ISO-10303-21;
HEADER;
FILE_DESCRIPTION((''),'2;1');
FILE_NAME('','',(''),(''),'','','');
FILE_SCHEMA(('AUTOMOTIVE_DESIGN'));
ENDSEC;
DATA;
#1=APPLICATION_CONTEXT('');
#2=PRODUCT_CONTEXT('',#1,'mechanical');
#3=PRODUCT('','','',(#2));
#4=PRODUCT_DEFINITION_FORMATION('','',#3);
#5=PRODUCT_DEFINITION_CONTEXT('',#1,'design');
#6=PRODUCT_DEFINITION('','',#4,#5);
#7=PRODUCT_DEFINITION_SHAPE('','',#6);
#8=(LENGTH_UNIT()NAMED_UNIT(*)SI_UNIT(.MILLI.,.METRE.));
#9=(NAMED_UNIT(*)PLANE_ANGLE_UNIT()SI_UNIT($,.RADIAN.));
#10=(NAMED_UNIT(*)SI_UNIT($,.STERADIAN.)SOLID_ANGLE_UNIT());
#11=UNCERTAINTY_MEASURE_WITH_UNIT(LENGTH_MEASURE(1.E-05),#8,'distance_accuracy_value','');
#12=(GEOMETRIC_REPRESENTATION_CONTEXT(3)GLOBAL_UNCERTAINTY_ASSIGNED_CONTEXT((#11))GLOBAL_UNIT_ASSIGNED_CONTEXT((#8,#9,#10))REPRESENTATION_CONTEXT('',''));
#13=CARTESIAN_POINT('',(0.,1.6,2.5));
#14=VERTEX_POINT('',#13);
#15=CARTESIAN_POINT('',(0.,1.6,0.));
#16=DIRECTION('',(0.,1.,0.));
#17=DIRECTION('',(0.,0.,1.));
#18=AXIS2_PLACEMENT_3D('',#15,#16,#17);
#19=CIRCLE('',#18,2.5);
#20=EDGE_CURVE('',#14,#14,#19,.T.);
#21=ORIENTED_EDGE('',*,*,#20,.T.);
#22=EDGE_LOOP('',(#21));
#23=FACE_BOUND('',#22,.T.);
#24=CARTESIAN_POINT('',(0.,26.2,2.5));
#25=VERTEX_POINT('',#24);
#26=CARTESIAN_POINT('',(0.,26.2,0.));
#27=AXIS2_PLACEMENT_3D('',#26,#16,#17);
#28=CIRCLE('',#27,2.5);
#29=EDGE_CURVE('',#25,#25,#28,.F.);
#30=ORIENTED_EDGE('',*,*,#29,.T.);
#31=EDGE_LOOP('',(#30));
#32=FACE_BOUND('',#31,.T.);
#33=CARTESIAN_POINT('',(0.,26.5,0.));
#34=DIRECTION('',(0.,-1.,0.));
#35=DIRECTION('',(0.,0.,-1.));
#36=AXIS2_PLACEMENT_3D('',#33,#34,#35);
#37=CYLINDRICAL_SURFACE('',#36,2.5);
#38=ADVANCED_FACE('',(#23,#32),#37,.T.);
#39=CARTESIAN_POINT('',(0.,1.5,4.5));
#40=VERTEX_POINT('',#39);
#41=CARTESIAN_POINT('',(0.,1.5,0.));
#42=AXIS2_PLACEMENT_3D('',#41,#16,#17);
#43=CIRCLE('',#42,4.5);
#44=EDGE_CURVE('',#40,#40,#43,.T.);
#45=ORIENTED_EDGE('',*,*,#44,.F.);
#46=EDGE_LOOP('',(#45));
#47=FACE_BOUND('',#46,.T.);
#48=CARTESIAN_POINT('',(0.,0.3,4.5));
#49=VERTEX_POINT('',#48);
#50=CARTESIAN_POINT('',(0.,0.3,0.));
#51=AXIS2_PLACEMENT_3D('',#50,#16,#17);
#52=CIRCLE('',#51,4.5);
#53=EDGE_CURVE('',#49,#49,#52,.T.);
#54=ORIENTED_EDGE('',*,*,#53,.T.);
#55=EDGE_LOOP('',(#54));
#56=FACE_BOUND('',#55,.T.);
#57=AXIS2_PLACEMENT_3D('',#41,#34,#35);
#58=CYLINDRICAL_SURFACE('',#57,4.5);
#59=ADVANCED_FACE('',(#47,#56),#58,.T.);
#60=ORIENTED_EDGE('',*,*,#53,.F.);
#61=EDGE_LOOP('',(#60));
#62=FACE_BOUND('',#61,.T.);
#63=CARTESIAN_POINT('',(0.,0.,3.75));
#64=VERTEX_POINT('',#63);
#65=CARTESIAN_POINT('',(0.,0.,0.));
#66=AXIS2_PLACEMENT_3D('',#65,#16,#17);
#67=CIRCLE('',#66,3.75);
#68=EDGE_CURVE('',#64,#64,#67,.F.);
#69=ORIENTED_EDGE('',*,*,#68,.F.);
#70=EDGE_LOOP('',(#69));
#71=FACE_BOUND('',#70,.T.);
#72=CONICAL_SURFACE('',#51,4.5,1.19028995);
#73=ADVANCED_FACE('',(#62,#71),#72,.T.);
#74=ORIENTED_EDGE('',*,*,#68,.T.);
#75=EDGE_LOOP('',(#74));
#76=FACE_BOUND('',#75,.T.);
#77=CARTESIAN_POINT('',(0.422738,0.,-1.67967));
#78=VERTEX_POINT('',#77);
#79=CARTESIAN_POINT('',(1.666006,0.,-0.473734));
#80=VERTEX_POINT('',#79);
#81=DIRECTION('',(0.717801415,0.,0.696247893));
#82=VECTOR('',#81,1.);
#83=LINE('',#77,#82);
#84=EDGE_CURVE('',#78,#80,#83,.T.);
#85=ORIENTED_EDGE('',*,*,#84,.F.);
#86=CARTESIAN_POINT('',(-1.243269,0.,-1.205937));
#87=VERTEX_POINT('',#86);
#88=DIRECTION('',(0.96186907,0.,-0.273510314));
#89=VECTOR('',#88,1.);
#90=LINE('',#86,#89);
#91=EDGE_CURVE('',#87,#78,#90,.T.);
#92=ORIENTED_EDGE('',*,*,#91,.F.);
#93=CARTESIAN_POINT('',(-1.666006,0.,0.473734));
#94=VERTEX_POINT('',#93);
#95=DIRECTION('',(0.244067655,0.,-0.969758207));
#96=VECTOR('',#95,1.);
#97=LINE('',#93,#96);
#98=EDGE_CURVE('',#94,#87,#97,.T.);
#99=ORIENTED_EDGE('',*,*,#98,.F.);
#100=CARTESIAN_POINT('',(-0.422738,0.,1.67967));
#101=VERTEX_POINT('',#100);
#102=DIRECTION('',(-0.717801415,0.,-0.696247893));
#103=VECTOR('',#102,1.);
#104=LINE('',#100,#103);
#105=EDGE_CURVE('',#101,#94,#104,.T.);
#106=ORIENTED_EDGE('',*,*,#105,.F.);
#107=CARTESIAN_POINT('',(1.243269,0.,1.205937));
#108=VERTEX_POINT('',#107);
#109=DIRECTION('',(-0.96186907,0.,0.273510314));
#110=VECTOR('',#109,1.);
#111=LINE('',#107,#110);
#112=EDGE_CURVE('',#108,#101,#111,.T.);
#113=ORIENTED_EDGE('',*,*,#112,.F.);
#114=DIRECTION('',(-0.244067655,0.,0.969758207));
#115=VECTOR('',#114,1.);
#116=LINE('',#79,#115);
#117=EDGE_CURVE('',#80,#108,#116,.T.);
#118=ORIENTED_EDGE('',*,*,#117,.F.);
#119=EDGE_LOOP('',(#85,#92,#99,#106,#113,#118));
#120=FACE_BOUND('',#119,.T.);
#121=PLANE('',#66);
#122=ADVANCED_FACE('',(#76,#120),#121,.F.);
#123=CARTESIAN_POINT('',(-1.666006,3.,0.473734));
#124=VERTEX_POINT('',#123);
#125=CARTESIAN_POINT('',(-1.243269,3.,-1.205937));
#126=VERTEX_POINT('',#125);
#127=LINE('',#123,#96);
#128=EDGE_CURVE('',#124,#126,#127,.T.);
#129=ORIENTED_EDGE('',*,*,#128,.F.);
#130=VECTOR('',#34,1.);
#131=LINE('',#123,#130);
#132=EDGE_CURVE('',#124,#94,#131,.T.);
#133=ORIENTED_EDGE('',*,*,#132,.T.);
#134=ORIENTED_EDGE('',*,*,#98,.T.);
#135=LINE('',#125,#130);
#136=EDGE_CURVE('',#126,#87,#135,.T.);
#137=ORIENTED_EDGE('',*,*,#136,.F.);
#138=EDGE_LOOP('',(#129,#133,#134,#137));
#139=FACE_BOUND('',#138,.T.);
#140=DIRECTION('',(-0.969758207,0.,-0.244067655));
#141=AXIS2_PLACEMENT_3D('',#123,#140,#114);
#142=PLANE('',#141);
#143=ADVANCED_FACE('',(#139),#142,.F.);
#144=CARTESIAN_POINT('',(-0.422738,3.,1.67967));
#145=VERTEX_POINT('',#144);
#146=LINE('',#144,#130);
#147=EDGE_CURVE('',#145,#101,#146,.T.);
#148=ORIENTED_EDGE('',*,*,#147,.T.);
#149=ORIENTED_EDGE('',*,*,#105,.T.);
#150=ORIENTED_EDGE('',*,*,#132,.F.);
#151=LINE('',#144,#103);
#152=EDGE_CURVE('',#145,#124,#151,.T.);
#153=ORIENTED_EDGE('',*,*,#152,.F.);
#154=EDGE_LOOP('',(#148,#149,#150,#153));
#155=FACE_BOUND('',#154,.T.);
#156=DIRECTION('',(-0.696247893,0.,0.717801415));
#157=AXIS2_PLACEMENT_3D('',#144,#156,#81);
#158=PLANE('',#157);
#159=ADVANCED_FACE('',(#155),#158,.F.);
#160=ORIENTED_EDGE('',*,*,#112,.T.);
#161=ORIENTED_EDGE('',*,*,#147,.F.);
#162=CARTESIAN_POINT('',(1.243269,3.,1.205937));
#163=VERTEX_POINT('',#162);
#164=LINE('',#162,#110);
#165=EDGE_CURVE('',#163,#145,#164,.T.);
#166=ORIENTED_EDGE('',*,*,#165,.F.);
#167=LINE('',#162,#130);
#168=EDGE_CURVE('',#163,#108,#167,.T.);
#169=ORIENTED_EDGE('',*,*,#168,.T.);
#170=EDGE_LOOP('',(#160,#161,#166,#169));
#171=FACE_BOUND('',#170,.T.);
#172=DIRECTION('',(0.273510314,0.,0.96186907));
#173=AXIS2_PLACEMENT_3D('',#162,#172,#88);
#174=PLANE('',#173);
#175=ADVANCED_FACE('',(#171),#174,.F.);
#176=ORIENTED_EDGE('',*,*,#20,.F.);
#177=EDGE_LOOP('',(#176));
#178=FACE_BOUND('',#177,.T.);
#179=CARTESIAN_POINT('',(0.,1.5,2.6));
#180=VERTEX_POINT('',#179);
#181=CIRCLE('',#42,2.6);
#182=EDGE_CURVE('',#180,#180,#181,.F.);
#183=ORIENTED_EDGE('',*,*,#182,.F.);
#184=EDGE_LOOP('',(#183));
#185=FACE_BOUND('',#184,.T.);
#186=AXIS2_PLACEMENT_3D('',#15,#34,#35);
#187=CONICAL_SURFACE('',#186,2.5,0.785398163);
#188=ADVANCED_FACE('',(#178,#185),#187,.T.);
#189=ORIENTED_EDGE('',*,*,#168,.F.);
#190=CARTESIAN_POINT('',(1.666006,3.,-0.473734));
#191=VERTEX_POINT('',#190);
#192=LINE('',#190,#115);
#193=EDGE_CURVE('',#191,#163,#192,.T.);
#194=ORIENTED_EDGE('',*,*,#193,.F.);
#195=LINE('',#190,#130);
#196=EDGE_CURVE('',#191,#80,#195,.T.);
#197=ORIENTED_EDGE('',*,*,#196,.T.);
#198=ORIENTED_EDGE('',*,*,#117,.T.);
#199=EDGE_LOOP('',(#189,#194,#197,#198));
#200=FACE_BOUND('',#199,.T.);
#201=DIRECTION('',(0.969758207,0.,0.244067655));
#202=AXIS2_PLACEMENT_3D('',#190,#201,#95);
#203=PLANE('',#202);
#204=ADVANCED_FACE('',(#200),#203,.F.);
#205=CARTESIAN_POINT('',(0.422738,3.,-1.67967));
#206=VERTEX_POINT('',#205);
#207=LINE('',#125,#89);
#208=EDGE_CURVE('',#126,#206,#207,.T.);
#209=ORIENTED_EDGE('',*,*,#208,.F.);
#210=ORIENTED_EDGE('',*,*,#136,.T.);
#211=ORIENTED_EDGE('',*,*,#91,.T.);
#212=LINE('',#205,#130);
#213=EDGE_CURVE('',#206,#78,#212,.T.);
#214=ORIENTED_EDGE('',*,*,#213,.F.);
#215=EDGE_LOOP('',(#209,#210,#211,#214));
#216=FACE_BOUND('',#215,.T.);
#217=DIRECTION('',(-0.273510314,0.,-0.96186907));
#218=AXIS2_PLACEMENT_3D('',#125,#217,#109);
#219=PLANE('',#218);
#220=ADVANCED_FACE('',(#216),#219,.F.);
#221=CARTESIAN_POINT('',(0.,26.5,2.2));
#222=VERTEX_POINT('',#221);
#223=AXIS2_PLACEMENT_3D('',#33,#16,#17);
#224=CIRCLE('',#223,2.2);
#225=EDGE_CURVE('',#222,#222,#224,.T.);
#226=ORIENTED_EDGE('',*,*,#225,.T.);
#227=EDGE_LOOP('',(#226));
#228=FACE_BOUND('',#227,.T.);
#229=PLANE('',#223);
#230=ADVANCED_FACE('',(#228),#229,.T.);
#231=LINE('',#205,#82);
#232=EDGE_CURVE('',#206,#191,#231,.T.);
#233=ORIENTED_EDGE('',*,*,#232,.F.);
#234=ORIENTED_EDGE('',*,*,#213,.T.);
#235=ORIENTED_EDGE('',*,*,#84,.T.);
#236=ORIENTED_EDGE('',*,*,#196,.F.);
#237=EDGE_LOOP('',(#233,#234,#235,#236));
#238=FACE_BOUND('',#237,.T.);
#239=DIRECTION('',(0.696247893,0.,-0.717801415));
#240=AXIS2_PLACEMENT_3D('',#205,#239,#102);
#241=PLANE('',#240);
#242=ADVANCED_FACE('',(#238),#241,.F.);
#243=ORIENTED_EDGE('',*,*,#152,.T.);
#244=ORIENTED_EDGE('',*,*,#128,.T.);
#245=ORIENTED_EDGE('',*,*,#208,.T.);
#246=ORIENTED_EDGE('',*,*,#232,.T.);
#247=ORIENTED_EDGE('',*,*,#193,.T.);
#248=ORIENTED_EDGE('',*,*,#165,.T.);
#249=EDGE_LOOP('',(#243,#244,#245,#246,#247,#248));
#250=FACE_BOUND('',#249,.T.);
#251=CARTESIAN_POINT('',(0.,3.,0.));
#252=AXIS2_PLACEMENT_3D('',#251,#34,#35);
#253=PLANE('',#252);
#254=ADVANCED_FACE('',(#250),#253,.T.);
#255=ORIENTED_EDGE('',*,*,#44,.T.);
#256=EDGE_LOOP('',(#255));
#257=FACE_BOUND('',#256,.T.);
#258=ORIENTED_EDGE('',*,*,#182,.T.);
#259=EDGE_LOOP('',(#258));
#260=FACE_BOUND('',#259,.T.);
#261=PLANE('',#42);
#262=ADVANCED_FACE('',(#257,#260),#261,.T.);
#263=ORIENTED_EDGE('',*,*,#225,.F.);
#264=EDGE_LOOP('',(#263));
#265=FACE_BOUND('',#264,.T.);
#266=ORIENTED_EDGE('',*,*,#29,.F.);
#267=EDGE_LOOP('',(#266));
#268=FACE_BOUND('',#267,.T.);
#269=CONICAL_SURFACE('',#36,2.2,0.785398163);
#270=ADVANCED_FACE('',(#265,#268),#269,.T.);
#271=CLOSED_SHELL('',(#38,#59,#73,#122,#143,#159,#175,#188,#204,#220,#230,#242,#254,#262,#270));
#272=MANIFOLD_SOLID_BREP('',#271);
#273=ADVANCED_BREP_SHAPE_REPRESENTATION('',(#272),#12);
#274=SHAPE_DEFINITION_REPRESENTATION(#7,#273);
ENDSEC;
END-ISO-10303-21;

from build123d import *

# Parameters (mm, degrees)
SKETCH2_R           = 4.5
BOSS_EXTRUDE1_DEPTH = 1.5
SKETCH3_R           = 2.5
BOSS_EXTRUDE2_DEPTH = 25
CHAMFER1_SIZE       = 0.1
CHAMFER2_SIZE       = 0.75
CHAMFER2_SIZE2      = 0.3
CUT_EXTRUDE1_DEPTH  = 3
CHAMFER3_SIZE       = 0.3


with BuildPart() as part:
    # Sketch2 → Boss-Extrude1 (new body)
    with BuildSketch(Plane(origin=(0, 0, 0), x_dir=(1, 0, 0), z_dir=(0, 1, 0))):
        Circle(SKETCH2_R)
    extrude(amount=BOSS_EXTRUDE1_DEPTH)

    # Sketch3 → Boss-Extrude2 (add)
    with BuildSketch(Plane(origin=(0, 1.5, 0), x_dir=(1, 0, 0), z_dir=(0, 1, 0))):
        Circle(SKETCH3_R)
    extrude(amount=BOSS_EXTRUDE2_DEPTH)

    # Chamfer1
    chamfer1_edges = [part.edges().sort_by_distance(p)[0] for p in [
        (-2.5, 1.5, 0),
    ]]
    chamfer(chamfer1_edges, length=CHAMFER1_SIZE)

    # Chamfer2
    chamfer2_edges = [part.edges().sort_by_distance(p)[0] for p in [
        (-4.5, 0, 0),
    ]]
    chamfer2_side = [part.faces().sort_by_distance(p)[0] for p in [
        (0, 0, 0),
    ]]
    chamfer(chamfer2_edges, length=CHAMFER2_SIZE, length2=CHAMFER2_SIZE2, reference=chamfer2_side[0])

    # Sketch4 → Cut-Extrude1 (cut)
    with BuildSketch(Plane.XZ):
        Polygon((-0.422737578, 1.679670486), (-1.6660061, 0.473733761), (-1.243268521, -1.205936725), (0.422737578, -1.679670486), (1.6660061, -0.473733761), (1.243268521, 1.205936725), align=None)
    extrude(amount=-CUT_EXTRUDE1_DEPTH, mode=Mode.SUBTRACT)

    # Chamfer3
    chamfer3_edges = [part.edges().sort_by_distance(p)[0] for p in [
        (-2.5, 26.5, 0),
    ]]
    chamfer(chamfer3_edges, length=CHAMFER3_SIZE)


solid = part.part
